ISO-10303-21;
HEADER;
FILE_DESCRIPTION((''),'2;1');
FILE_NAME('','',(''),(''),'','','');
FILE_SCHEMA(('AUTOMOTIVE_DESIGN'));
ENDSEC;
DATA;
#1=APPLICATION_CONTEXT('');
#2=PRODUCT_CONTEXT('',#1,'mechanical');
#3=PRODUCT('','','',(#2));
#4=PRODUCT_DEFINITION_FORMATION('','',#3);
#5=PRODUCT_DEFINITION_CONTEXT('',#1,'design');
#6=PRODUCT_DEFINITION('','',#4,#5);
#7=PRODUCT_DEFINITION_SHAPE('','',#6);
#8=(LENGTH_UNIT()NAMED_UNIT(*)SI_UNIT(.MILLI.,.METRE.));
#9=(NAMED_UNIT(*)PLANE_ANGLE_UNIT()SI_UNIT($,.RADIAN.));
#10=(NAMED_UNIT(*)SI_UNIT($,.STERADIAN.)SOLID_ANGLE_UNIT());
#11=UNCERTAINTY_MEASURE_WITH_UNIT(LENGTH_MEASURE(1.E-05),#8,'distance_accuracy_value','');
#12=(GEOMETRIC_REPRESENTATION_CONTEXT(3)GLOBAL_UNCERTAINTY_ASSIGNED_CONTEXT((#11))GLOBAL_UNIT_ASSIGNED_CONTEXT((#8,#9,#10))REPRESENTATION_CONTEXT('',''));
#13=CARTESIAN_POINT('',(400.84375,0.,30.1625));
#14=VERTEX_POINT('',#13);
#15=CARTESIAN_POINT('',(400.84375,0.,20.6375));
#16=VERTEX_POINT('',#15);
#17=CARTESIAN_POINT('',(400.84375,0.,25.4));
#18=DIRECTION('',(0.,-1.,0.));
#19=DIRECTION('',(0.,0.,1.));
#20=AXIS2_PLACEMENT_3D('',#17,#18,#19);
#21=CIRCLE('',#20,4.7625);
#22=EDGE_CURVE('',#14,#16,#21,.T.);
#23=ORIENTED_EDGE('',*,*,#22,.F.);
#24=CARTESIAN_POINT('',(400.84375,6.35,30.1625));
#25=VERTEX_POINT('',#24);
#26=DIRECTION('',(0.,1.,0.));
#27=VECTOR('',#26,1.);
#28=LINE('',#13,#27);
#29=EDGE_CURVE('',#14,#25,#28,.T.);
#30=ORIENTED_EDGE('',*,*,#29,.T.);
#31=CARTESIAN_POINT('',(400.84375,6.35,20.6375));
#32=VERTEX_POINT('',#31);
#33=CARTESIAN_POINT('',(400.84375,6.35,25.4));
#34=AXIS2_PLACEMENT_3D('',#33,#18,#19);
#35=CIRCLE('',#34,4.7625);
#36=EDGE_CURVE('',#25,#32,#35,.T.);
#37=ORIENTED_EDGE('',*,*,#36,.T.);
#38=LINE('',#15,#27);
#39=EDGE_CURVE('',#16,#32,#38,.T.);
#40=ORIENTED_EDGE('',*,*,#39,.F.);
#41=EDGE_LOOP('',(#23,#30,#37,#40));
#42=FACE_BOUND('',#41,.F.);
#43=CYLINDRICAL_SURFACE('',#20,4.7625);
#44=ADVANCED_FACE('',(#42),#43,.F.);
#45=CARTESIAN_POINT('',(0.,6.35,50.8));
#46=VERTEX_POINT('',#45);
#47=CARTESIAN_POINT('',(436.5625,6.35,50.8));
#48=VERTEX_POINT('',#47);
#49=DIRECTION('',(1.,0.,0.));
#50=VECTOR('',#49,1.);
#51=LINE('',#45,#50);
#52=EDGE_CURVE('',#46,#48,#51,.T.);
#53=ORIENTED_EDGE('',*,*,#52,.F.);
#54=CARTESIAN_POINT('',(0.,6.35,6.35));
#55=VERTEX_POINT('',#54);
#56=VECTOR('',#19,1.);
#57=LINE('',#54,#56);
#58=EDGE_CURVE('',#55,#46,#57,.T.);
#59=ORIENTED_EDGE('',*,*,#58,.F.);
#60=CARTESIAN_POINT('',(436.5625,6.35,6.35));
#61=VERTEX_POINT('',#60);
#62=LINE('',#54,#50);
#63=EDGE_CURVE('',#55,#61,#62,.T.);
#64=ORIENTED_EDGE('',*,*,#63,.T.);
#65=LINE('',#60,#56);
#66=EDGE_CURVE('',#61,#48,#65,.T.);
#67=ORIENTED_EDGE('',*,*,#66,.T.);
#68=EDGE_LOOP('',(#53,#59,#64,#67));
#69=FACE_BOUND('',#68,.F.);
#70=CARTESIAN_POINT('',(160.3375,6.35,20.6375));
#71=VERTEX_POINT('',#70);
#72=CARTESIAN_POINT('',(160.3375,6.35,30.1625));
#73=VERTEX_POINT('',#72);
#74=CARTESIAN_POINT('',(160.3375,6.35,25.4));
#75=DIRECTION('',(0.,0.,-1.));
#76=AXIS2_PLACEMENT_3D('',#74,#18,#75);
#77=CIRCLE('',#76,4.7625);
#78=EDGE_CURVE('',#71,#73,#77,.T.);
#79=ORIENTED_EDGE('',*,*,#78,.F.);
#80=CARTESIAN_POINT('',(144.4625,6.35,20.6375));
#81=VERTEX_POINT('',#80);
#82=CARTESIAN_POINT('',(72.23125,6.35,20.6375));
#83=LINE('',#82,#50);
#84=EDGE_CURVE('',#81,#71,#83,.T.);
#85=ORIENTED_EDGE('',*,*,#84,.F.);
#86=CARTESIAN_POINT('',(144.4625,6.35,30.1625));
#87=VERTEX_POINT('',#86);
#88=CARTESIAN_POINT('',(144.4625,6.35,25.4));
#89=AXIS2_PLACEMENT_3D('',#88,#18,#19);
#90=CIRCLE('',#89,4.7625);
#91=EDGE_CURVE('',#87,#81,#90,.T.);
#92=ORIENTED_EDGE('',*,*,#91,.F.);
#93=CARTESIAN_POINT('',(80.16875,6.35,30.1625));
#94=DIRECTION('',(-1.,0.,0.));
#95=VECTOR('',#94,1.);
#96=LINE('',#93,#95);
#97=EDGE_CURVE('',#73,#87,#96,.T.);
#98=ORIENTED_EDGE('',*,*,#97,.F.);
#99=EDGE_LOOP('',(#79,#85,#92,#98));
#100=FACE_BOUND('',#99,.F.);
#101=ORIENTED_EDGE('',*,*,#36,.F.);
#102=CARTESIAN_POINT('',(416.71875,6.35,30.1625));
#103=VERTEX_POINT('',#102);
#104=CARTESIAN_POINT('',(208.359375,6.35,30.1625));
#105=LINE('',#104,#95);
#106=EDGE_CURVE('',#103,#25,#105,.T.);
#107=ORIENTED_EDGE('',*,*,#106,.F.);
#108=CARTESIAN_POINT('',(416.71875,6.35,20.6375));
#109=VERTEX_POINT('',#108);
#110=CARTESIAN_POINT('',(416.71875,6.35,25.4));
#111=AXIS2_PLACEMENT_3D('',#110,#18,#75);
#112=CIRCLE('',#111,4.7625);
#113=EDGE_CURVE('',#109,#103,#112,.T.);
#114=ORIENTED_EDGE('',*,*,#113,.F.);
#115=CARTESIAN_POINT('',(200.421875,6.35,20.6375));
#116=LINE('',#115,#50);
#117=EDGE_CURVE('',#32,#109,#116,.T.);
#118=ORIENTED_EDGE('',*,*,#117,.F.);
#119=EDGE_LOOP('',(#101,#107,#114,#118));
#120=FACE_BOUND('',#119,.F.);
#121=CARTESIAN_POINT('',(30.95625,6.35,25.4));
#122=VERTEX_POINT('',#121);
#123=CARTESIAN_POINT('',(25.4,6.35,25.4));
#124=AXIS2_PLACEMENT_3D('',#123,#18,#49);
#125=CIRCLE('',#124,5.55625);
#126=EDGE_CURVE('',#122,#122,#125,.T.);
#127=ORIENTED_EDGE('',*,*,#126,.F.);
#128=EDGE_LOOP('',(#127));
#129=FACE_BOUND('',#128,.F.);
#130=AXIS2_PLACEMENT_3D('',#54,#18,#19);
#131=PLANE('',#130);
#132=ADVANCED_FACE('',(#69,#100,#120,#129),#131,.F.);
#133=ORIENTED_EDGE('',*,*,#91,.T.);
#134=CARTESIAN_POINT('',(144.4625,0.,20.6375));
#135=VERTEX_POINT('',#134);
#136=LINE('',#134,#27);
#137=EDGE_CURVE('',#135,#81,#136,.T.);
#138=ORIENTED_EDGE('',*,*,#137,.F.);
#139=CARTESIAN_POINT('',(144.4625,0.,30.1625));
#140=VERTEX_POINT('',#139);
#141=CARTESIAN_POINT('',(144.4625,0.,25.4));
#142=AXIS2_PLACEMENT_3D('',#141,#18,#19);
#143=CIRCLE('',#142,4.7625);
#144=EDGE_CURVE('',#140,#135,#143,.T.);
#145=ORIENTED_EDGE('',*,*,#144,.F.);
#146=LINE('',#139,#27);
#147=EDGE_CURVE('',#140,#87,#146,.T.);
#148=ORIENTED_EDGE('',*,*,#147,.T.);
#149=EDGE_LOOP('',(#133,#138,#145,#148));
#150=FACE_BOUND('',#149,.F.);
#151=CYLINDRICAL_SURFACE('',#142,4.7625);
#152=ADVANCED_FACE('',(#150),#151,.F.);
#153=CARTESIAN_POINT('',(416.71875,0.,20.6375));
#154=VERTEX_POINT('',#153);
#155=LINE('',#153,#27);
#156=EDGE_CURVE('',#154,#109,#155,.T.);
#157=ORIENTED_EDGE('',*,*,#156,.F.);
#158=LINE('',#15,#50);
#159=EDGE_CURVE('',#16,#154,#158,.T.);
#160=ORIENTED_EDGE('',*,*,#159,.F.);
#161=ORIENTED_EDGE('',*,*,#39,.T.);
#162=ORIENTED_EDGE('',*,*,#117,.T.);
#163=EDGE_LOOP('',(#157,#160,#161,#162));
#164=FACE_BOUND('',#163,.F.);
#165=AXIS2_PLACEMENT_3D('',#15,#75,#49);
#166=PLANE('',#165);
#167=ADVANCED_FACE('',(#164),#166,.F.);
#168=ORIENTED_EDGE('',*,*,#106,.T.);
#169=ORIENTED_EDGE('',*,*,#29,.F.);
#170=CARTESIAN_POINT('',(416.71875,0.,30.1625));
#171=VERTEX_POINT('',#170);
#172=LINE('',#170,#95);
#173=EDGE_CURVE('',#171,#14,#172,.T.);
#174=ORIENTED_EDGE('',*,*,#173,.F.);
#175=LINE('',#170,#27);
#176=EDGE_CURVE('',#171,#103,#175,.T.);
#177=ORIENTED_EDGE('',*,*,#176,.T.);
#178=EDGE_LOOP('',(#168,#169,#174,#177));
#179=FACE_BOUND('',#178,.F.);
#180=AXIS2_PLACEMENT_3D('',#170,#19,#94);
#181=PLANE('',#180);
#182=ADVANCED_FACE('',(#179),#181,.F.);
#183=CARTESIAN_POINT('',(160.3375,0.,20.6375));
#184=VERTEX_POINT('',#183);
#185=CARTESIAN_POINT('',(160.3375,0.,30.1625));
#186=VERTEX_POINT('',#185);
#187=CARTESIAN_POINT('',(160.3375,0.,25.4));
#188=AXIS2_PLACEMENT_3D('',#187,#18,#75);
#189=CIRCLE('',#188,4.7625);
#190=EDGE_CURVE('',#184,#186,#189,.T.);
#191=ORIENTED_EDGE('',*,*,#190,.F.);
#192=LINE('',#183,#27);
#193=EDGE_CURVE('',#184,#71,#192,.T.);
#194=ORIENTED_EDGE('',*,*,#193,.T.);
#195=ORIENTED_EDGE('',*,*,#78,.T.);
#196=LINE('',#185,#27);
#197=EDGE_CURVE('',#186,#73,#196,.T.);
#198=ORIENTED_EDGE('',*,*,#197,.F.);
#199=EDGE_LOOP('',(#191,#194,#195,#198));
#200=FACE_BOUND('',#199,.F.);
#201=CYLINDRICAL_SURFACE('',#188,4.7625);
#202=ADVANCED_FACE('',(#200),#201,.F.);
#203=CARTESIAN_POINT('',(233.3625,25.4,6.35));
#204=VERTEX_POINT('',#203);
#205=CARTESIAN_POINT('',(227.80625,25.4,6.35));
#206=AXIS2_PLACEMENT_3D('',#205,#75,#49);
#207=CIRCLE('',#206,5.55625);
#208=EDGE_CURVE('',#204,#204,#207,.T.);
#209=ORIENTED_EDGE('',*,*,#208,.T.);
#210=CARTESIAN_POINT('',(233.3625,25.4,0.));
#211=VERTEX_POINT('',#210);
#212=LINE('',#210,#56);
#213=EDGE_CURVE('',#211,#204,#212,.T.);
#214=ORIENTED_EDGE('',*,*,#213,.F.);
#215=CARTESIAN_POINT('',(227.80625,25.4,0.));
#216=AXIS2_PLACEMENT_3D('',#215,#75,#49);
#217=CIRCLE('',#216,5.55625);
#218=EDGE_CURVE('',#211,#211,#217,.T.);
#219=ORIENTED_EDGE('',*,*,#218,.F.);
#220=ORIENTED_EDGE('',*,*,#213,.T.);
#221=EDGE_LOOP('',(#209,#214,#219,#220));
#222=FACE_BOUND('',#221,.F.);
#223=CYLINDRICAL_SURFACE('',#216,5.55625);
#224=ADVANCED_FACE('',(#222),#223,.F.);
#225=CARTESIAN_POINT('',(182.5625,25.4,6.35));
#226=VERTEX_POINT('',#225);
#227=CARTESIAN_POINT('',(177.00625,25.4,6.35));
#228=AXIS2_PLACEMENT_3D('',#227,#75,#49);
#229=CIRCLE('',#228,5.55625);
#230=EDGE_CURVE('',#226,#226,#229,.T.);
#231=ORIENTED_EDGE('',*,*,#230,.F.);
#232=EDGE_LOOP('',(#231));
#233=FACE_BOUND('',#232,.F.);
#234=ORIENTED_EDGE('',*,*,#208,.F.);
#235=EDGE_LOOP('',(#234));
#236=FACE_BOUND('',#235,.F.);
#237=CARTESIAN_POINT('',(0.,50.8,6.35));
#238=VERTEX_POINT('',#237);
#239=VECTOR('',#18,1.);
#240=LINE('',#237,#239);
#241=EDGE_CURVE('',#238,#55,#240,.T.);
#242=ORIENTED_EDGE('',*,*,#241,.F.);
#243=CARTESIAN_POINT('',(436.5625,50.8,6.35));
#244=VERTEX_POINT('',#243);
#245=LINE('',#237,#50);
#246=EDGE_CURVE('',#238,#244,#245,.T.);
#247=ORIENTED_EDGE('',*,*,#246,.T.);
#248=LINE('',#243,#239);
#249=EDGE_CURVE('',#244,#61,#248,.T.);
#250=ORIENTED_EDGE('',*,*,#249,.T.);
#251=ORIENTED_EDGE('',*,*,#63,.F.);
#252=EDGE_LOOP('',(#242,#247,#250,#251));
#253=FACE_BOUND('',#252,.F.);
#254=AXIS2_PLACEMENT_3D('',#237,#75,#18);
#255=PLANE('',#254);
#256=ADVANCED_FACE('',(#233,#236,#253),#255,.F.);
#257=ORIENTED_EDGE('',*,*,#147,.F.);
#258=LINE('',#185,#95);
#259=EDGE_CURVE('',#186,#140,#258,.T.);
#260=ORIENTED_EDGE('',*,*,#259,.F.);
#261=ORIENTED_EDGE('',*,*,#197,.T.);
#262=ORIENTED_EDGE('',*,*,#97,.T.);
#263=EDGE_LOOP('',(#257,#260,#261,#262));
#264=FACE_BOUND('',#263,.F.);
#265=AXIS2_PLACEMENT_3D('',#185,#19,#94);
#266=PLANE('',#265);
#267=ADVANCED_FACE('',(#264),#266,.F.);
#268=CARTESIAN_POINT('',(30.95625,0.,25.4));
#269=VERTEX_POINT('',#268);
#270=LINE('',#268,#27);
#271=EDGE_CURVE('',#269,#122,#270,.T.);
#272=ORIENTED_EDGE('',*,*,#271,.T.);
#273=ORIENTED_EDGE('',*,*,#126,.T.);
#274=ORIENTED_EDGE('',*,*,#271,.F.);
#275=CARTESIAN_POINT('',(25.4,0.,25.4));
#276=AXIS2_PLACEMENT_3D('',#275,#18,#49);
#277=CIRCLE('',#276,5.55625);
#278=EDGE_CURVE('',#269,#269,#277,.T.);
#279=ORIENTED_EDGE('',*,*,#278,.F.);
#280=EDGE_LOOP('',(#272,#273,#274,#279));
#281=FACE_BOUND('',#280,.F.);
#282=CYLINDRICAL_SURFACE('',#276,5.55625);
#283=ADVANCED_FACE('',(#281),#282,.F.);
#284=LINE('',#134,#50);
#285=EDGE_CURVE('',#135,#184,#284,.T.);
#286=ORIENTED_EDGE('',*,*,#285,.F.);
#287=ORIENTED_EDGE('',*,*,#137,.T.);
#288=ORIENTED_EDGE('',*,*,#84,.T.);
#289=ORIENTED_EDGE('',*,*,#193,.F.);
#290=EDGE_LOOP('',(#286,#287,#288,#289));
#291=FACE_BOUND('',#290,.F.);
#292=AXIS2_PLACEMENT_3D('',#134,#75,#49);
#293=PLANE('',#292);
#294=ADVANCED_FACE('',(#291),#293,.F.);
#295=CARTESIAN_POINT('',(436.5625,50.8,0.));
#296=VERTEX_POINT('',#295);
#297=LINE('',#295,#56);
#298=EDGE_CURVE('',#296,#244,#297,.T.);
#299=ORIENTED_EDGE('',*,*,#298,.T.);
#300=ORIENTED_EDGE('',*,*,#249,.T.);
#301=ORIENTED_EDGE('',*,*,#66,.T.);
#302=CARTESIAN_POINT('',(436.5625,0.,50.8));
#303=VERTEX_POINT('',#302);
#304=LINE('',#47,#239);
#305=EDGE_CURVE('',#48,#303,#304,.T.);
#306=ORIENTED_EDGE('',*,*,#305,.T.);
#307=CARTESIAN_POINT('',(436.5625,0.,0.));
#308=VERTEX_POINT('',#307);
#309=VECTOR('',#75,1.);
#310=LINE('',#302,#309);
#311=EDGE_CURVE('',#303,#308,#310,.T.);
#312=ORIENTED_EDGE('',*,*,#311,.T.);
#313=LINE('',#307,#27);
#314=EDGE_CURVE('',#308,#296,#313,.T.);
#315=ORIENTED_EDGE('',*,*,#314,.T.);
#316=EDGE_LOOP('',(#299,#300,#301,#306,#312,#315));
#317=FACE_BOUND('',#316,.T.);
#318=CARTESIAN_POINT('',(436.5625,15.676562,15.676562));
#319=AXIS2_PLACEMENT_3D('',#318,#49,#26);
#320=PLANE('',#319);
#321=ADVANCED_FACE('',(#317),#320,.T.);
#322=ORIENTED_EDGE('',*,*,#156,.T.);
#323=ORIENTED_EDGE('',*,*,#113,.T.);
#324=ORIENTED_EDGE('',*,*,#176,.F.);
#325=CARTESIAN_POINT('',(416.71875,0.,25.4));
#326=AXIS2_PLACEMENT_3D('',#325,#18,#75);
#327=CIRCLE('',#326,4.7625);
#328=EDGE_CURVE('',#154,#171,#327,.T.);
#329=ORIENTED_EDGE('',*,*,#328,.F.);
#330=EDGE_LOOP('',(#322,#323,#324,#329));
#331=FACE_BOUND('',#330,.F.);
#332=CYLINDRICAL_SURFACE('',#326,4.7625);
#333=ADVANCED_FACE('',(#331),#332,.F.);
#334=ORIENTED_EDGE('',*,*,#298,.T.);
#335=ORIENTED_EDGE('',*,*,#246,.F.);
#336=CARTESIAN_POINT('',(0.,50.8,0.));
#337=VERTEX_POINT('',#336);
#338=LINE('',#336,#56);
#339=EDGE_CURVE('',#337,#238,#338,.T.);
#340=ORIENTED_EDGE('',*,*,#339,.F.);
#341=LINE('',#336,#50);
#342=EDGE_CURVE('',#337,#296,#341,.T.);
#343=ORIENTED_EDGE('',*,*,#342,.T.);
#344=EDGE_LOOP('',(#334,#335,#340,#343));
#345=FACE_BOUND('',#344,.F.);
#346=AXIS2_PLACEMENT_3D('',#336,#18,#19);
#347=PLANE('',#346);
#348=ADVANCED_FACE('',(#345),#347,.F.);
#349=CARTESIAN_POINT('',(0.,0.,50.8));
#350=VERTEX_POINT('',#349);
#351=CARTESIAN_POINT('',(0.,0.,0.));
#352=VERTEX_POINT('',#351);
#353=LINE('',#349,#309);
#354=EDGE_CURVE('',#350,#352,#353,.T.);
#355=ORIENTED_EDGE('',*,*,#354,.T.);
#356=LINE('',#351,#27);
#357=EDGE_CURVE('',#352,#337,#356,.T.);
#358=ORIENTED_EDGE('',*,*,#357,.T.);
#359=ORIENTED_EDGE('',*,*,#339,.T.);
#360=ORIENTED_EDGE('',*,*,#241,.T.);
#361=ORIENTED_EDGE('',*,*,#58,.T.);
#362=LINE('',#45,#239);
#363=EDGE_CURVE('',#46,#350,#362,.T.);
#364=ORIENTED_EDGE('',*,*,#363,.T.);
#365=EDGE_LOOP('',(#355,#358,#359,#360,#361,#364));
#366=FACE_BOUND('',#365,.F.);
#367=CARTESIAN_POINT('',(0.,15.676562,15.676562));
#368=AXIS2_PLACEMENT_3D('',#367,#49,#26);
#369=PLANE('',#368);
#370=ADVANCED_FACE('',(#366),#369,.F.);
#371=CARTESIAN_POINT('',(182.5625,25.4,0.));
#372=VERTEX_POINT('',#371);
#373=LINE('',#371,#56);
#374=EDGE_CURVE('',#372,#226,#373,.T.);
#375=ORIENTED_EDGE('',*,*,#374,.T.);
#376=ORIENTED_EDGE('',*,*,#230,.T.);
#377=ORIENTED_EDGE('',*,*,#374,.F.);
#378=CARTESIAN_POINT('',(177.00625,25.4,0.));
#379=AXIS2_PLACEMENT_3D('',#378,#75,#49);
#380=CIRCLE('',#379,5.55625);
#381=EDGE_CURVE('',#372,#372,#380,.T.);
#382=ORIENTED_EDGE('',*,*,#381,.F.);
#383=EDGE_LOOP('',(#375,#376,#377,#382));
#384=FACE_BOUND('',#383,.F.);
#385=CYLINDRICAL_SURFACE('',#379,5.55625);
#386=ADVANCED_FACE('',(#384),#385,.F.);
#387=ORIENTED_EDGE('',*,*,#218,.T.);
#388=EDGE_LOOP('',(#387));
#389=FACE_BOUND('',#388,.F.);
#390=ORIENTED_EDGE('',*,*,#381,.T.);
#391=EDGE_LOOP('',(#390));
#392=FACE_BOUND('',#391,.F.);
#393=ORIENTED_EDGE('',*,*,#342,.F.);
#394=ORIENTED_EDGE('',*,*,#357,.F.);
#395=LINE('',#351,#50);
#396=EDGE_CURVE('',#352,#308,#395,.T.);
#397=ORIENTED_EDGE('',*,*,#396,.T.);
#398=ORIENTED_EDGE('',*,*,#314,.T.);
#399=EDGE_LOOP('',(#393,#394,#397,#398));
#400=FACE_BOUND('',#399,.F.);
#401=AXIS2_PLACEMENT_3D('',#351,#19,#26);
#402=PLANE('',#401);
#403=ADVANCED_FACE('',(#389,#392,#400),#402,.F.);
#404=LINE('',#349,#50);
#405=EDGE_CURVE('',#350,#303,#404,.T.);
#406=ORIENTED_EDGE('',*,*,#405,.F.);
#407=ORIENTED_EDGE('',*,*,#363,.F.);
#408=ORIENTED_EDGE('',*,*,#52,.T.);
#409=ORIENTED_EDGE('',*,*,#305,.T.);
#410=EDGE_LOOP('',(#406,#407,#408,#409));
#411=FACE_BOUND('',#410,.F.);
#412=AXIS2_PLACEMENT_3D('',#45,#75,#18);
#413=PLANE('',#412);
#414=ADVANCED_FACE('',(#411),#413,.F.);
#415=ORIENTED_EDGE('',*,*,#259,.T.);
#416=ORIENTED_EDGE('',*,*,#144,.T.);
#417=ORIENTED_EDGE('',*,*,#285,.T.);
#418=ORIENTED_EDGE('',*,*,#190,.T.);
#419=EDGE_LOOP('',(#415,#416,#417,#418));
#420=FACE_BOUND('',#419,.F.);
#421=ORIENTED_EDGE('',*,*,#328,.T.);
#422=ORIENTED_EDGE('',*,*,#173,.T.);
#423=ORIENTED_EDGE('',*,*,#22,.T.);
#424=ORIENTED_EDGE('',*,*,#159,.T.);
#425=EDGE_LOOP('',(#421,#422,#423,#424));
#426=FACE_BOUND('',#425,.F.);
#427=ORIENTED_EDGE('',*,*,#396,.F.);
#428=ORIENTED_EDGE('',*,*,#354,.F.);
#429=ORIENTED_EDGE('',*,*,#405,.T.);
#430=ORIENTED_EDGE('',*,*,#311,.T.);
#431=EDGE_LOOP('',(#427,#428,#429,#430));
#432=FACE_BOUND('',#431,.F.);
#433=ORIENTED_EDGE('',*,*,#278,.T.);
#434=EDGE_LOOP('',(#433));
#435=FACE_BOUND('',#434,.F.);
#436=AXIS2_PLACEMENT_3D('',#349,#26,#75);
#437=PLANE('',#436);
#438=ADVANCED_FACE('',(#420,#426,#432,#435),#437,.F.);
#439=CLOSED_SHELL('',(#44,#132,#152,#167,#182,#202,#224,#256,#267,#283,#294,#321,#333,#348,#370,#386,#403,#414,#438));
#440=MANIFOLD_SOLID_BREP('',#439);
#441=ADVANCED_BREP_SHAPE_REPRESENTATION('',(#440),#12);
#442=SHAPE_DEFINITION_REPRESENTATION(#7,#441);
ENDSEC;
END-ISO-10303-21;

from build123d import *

# Parameters (mm, degrees)
F1_DEPTH = 436.5625
F2_R     = 5.55625
F3_DEPTH = 50.801
F4_R     = 5.55625
F5_DEPTH = 50.801


with BuildPart() as f1:
    # F0 (on Right) → F1 (new body)
    with BuildSketch(Plane.YZ):
        Polygon((0, 50.8), (0, 0), (50.8, 0), (50.8, 6.35), (6.35, 6.35), (6.35, 50.8), align=None)
    extrude(amount=F1_DEPTH)

    # F2 (on face) → F3 (cut, through all)
    with BuildSketch(Plane.XZ):
        with Locations((25.4, 25.4)):
            Circle(F2_R)
        with BuildLine():
            ThreePointArc((144.4625, 30.1625), (139.7, 25.4), (144.4625, 20.6375))
            Line((144.4625, 20.6375), (160.3375, 20.6375))
            ThreePointArc((160.3375, 20.6375), (165.1, 25.4), (160.3375, 30.1625))
            Line((160.3375, 30.1625), (144.4625, 30.1625))
        make_face()
        with BuildLine():
            ThreePointArc((400.84375, 30.1625), (396.08125, 25.4), (400.84375, 20.6375))
            Line((400.84375, 20.6375), (416.71875, 20.6375))
            ThreePointArc((416.71875, 20.6375), (421.48125, 25.4), (416.71875, 30.1625))
            Line((416.71875, 30.1625), (400.84375, 30.1625))
        make_face()
    extrude(amount=-F3_DEPTH, mode=Mode.SUBTRACT)

    # F4 (on face) → F5 (cut, through all)
    with BuildSketch(Plane(origin=(0, 0, 0), x_dir=(1, 0, 0), z_dir=(0, 0, -1))):
        with Locations((227.80625, -25.4)):
            Circle(F4_R)
        with Locations((177.00625, -25.4)):
            Circle(F4_R)
    extrude(amount=-F5_DEPTH, mode=Mode.SUBTRACT)


solid = f1.part
